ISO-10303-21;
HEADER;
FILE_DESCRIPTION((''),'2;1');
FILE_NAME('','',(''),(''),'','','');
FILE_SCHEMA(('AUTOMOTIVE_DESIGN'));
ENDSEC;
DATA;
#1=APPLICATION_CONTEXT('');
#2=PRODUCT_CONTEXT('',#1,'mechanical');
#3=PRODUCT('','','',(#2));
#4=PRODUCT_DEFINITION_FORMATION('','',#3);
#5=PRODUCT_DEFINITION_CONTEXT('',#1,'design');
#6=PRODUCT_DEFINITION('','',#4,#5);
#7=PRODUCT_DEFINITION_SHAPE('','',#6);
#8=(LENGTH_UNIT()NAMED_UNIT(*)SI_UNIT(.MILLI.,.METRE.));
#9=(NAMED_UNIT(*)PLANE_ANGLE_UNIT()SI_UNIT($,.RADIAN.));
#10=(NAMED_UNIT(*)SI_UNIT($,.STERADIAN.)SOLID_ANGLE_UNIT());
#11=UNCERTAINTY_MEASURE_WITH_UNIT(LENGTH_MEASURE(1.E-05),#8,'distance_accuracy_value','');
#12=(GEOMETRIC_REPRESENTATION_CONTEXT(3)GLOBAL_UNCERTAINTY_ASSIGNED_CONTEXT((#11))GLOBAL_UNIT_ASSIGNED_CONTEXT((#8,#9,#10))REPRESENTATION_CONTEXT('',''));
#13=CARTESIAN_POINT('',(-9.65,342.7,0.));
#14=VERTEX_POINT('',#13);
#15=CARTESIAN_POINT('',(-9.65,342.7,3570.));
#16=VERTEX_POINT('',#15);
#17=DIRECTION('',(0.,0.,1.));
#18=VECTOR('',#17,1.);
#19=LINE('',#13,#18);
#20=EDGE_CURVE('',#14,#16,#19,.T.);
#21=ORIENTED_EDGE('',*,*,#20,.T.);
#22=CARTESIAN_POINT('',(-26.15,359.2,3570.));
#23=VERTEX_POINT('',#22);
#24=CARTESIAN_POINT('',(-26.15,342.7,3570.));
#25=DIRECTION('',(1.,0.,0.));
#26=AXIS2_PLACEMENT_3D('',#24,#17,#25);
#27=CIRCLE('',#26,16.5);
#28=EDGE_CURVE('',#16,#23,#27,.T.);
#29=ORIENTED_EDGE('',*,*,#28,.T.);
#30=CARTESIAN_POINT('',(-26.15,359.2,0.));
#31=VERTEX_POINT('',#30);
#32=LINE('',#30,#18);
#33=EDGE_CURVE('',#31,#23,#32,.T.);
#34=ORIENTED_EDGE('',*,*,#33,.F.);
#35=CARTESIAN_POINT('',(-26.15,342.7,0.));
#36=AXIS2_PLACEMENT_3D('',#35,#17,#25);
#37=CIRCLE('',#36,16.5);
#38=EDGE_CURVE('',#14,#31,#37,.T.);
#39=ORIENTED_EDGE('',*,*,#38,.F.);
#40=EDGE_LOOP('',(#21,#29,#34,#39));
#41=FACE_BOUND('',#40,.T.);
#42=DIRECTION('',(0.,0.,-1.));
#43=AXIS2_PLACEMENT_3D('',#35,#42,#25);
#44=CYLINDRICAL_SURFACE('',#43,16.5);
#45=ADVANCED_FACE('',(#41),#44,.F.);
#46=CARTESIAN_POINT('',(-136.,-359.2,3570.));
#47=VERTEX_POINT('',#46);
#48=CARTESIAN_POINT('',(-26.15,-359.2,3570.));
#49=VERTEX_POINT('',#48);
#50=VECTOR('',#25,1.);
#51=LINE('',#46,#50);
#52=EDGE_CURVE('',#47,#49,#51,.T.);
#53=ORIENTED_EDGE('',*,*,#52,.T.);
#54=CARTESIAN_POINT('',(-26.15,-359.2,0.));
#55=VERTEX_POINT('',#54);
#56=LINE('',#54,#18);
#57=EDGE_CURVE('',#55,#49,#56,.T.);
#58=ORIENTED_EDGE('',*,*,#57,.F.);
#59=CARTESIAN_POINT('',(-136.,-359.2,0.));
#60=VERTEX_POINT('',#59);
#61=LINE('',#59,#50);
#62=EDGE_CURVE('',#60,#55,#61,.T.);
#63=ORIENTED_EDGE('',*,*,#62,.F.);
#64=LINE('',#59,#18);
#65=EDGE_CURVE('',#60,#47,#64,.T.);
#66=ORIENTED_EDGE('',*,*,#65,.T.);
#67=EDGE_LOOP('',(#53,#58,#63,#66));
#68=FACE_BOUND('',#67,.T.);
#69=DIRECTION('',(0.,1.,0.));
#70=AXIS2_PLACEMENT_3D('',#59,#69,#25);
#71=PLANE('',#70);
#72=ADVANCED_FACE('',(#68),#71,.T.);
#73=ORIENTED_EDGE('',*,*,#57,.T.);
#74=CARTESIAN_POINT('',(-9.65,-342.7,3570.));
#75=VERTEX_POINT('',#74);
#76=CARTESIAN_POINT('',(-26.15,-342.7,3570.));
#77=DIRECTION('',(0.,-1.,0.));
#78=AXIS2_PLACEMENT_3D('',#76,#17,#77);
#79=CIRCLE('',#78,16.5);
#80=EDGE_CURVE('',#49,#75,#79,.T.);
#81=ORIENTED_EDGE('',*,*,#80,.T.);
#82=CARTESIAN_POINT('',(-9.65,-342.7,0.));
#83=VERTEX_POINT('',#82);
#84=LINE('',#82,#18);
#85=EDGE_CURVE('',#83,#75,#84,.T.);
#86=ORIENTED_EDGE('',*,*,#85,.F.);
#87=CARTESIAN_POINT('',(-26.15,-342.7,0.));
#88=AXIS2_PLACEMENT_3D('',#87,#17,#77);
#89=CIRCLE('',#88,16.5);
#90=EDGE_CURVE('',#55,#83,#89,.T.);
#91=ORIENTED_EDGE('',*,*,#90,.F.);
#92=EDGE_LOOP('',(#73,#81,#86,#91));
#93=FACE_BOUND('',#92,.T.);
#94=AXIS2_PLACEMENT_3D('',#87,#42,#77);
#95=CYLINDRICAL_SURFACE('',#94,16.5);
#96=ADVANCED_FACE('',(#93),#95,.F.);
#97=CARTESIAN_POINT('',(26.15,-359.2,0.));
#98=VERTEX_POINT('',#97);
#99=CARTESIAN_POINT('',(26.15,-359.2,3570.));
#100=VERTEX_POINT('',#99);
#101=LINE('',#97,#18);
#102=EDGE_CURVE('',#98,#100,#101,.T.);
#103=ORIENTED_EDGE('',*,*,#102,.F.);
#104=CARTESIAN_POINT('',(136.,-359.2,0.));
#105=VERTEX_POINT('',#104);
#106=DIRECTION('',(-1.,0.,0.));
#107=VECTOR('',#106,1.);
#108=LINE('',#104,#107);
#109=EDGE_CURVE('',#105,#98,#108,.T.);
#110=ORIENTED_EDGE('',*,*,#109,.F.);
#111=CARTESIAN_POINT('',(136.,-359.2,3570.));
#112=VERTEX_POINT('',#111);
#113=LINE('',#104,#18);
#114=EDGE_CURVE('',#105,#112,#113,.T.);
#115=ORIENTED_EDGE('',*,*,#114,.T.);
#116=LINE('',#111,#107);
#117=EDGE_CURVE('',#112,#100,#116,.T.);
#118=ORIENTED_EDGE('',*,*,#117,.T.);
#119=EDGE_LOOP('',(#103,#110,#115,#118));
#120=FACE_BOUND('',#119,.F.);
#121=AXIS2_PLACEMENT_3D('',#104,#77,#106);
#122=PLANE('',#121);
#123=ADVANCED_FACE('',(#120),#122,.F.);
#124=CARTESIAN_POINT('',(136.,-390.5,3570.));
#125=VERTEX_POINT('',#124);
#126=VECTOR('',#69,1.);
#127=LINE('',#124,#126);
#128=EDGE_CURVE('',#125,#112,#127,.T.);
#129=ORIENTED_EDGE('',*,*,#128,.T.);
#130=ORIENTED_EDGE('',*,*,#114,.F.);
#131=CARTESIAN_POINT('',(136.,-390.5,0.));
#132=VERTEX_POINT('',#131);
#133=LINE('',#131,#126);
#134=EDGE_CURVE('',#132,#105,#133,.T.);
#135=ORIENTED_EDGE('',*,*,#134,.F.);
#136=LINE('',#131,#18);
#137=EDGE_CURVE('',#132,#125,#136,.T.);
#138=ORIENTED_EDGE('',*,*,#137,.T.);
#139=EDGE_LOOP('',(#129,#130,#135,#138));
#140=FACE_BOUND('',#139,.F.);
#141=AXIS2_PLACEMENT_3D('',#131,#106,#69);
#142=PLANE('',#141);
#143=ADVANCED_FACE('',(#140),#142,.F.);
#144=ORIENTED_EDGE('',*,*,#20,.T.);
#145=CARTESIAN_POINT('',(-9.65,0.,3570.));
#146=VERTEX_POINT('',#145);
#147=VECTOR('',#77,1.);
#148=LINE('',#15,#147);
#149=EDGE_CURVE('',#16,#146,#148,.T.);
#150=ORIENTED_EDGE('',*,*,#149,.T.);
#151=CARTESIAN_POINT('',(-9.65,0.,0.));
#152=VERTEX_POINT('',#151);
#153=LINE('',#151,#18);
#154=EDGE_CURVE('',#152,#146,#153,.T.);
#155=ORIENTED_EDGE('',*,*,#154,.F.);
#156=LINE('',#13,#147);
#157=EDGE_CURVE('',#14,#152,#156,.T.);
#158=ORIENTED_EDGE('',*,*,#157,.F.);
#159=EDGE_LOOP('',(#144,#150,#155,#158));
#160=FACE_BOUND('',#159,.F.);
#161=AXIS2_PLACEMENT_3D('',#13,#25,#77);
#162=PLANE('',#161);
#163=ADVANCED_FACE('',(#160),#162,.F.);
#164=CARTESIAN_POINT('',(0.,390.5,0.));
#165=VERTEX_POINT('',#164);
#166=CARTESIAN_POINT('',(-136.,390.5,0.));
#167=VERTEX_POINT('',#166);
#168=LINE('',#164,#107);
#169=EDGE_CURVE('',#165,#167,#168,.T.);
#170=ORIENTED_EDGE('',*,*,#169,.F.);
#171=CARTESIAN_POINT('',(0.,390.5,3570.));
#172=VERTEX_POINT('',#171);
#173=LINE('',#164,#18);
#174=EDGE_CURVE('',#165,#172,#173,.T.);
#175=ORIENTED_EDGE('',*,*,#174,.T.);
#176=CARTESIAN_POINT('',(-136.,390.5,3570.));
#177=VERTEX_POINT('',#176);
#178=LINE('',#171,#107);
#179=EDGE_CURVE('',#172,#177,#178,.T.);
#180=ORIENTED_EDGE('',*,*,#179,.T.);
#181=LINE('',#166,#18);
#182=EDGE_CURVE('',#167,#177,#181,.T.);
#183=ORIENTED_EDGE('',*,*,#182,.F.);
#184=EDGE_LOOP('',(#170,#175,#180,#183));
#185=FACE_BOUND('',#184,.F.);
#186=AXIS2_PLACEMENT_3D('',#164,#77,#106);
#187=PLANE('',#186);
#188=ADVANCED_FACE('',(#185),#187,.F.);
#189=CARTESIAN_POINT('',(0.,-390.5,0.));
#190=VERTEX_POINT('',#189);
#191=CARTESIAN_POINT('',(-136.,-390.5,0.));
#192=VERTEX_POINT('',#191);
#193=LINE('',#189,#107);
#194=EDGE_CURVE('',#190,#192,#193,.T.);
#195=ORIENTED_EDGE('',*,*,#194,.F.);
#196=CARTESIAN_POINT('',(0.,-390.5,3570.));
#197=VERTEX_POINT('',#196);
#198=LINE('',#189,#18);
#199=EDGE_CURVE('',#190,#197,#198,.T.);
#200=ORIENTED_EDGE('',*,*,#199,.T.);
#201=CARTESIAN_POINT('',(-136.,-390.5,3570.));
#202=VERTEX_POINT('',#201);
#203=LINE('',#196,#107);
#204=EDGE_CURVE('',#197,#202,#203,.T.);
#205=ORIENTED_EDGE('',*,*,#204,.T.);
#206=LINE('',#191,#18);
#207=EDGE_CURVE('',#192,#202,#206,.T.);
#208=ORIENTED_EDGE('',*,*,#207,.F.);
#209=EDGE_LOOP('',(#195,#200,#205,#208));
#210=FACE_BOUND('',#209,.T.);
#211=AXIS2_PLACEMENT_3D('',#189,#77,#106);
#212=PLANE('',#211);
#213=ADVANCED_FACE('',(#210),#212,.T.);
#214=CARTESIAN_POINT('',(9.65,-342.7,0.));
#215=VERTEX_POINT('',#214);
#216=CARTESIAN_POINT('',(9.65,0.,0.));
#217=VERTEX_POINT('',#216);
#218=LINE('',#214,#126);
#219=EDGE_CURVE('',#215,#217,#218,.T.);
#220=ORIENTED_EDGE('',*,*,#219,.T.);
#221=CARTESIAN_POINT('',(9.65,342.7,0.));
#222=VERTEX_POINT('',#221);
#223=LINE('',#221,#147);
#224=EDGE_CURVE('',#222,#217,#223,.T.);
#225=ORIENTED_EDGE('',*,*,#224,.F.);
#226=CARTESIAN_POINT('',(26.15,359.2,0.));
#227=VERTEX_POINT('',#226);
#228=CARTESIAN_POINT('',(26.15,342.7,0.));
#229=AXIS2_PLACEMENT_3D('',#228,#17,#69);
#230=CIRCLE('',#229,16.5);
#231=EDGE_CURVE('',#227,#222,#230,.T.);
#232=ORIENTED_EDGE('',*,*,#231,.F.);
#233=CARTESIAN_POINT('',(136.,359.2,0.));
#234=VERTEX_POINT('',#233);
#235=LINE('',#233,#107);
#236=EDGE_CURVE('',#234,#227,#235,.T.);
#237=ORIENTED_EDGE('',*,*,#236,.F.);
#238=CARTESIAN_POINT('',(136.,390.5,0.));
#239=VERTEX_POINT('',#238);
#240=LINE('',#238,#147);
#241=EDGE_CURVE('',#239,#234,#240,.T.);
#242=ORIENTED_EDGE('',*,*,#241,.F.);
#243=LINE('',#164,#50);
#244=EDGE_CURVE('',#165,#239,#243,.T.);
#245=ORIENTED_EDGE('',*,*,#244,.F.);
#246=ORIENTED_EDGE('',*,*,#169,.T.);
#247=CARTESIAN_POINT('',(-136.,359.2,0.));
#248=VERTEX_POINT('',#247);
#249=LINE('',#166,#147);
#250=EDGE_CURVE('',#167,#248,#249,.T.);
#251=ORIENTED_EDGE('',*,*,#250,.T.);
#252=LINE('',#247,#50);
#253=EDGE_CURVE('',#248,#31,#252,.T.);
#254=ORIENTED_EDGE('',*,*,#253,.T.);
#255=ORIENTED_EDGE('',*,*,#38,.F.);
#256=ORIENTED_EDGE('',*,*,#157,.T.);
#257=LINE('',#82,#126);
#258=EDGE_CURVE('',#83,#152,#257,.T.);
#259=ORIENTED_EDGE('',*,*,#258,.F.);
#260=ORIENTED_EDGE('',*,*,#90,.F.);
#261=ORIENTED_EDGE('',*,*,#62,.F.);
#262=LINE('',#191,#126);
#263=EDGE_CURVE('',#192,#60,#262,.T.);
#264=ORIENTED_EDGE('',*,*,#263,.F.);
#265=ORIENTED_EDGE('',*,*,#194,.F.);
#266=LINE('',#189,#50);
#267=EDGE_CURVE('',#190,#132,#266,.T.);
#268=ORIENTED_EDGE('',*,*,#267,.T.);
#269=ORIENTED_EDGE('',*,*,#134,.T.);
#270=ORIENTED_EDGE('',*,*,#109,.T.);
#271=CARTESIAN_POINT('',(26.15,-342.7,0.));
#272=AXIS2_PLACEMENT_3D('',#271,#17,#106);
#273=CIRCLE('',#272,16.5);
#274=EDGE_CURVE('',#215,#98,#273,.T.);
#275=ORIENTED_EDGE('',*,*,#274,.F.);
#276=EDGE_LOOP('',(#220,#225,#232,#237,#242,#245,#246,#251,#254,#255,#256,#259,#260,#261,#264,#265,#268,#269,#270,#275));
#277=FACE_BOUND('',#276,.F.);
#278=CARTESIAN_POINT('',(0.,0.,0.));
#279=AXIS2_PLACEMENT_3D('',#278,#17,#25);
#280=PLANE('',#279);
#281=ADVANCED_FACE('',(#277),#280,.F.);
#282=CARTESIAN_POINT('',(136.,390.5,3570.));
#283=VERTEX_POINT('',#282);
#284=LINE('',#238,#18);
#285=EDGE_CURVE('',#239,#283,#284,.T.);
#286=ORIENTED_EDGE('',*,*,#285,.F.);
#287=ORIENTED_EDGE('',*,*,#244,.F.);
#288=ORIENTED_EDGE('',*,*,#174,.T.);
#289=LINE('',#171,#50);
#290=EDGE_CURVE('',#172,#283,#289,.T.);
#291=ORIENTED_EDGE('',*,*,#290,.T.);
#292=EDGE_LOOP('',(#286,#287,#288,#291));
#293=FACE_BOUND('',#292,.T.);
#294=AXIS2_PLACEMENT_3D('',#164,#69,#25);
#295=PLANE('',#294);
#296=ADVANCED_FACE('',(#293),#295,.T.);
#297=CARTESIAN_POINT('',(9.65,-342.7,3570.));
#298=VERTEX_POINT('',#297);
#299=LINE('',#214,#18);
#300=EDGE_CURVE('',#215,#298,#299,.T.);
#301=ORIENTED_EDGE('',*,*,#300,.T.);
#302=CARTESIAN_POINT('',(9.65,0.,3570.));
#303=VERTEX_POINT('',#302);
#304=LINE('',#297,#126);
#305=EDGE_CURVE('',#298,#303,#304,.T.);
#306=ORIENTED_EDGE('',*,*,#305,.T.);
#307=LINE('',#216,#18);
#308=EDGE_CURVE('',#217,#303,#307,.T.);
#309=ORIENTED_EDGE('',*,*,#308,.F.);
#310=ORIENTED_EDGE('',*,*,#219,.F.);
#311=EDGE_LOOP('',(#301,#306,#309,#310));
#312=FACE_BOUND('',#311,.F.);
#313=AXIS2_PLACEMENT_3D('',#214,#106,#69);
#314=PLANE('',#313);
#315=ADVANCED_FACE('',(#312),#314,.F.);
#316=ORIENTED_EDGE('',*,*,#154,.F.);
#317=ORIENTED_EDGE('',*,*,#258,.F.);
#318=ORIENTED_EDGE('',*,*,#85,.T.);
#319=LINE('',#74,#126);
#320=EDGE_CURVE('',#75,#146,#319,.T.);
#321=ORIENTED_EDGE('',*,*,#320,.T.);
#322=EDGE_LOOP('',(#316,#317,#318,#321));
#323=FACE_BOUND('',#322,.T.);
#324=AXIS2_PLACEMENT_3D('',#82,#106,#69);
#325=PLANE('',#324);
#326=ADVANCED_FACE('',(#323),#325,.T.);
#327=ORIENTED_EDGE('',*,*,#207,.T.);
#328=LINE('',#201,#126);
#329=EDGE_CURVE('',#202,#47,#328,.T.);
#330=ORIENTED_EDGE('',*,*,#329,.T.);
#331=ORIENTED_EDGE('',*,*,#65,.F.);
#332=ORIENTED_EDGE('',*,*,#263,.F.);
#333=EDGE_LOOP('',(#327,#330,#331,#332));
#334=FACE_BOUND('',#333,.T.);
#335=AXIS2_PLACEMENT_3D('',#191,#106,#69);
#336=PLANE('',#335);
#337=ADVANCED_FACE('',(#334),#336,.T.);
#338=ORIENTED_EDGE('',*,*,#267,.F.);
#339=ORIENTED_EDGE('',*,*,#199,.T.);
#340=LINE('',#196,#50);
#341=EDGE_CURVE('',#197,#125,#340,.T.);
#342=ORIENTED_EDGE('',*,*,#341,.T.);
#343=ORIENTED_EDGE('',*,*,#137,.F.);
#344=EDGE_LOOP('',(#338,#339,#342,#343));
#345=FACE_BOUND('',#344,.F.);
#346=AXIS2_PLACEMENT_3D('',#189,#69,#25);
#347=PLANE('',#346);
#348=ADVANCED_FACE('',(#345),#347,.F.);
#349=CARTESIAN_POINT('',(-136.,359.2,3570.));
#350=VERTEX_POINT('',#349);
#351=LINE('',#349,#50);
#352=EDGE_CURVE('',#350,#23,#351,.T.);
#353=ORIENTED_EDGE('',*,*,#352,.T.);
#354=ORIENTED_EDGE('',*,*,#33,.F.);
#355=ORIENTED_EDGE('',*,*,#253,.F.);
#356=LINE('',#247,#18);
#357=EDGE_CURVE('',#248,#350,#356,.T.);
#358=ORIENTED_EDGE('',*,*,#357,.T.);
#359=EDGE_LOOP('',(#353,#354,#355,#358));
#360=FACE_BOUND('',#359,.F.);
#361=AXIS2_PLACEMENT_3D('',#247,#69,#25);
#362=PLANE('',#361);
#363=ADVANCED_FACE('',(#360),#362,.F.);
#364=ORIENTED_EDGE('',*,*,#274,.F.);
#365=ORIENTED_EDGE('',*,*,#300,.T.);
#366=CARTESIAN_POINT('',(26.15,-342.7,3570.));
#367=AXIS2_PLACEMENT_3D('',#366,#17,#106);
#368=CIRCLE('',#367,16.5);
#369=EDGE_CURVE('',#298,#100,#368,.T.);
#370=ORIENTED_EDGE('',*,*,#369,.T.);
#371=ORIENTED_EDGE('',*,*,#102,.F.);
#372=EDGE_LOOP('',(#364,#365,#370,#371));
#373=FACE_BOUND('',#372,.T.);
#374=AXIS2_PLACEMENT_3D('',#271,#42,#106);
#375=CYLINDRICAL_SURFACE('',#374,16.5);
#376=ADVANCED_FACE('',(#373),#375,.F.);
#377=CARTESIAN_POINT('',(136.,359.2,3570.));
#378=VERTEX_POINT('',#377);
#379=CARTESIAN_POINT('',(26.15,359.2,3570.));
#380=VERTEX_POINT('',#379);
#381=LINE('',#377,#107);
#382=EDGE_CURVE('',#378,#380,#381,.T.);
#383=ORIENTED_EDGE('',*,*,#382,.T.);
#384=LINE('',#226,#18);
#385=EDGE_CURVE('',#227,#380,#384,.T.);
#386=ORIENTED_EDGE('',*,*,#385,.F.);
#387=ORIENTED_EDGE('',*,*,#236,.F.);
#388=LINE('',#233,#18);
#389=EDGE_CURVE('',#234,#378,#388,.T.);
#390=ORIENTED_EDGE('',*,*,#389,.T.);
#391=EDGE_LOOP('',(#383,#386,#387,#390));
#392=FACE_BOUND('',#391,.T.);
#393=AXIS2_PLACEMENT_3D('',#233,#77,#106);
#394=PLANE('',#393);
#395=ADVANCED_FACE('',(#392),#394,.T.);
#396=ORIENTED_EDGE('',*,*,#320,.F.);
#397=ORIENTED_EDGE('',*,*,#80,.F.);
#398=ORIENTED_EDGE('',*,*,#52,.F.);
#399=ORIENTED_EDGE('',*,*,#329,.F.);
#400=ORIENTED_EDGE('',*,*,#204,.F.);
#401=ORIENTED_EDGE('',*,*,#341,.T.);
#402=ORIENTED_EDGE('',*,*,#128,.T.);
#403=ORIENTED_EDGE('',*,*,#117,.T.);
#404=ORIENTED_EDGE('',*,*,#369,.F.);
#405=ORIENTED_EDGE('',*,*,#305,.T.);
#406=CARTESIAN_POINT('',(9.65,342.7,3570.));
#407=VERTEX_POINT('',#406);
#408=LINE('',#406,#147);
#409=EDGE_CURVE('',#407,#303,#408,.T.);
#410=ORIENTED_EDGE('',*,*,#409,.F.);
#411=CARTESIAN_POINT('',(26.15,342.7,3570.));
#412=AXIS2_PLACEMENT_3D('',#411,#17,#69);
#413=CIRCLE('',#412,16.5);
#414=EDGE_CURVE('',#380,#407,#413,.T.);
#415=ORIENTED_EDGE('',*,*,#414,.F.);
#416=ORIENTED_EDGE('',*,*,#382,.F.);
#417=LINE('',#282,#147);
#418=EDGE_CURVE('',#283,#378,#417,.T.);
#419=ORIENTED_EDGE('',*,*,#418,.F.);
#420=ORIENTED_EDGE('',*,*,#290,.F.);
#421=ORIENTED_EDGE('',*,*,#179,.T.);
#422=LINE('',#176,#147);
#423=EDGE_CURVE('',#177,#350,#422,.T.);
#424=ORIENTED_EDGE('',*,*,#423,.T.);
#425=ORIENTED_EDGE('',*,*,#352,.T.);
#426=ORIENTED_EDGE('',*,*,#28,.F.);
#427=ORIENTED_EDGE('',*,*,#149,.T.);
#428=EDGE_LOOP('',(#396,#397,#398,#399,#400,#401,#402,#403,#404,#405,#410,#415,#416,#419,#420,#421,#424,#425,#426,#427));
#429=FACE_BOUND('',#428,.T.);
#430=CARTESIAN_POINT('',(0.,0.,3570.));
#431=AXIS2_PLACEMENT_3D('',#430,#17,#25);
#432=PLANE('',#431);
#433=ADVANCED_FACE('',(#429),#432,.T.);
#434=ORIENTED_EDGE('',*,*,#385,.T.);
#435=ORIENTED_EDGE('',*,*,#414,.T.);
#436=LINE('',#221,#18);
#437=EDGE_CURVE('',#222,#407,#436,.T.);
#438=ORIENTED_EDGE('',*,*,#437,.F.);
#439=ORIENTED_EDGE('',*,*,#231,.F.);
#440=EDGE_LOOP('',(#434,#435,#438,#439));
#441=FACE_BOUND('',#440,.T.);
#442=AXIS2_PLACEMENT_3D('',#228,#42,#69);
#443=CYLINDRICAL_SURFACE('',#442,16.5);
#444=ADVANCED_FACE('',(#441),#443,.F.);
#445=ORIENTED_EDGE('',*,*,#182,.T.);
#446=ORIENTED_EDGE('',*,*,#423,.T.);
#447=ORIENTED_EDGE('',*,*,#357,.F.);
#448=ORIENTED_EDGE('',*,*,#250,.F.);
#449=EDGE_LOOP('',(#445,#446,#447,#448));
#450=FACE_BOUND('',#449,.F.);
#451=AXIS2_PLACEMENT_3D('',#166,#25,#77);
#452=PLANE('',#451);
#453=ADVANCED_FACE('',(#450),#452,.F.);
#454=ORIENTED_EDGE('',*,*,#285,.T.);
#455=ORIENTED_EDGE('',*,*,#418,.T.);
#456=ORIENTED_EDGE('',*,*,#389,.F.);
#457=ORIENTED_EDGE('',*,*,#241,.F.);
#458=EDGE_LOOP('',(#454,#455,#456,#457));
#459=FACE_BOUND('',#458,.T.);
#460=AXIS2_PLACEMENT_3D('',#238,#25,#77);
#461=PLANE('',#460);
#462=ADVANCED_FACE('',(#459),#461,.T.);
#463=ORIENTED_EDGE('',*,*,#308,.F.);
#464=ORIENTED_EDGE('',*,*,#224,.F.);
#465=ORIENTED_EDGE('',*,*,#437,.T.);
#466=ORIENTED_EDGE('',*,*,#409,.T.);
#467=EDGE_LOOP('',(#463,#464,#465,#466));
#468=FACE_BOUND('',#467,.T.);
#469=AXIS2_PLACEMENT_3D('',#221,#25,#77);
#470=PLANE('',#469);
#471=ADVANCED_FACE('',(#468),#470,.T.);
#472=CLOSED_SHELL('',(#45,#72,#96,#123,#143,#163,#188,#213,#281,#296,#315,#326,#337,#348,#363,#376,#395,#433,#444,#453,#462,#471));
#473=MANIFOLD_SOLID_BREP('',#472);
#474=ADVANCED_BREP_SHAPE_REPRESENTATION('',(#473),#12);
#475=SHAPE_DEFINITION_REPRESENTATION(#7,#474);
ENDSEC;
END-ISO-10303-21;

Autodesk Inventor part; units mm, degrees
ref_plane "YZ Plane" through (0, 0, 0) normal (1, 0, 0) x (0, 1, 0)
ref_plane "Start plane" through (0, 0, 0) normal (0, 0, 1) x (1, 0, 0)
ref_plane "End plane" through (0, 0, 3570) normal (0, 0, 1) x (1, 0, 0)
sketch "Sketch" plane through (0, 0, 0) normal (0, 0, 1) x (1, 0, 0)
  line L0 (-136, -390.5) -> (-136, -359.2)
  line L1 (-136, -359.2) -> (-26.15, -359.2)
  line L2 (-9.65, -342.7) -> (-9.65, 0)
  line L3 (-9.65, 0) -> (0, 0) construction
  line L4 (0, 0) -> (0, -390.5) construction
  line L5 (0, -390.5) -> (-136, -390.5)
  line L6 (-60, 0) -> (80, 0) construction
  line L7 (0, -60) -> (0, 80) construction
  line L8 (136, -390.5) -> (136, -359.2)
  line L9 (136, -359.2) -> (26.15, -359.2)
  line L10 (9.65, -342.7) -> (9.65, 0)
  line L11 (9.65, 0) -> (0, 0) construction
  line L12 (0, -390.5) -> (136, -390.5)
  line L13 (-136, 390.5) -> (-136, 359.2)
  line L14 (-136, 359.2) -> (-26.15, 359.2)
  line L15 (-9.65, 342.7) -> (-9.65, 0)
  line L16 (0, 390.5) -> (-136, 390.5)
  line L17 (136, 390.5) -> (136, 359.2)
  line L18 (136, 359.2) -> (26.15, 359.2)
  line L19 (0, 390.5) -> (136, 390.5)
  line L20 (9.65, 342.7) -> (9.65, 0)
  arc A0 (-9.65, 342.7) -> (-26.15, 359.2) centre (-26.15, 342.7) ccw
  arc A1 (26.15, 359.2) -> (9.65, 342.7) centre (26.15, 342.7) ccw
  arc A2 (9.65, -342.7) -> (26.15, -359.2) centre (26.15, -342.7) ccw
  arc A3 (-26.15, -359.2) -> (-9.65, -342.7) centre (-26.15, -342.7) ccw
  line L21 (0, 108) -> (0, -88) construction
  line L22 (-88, 0) -> (108, 0) construction
  point P0 (-9.65, -359.2)
  point P1 (9.65, -359.2)
  point P2 (-9.65, 359.2)
  point P3 (9.65, 359.2)
  dimension "d1" = 390.5
  dimension "d2" = 31.3
  dimension "d3" = 136
  dimension "d4" = 9.65
  dimension "d10" = 16.5
extrude "Body" add sketch "Sketch" along normal up to surface (3570 mm away) from surface at 0
sketch "Sketch4" plane through (0, 0, 0) normal (0, 0, 1) x (1, 0, 0)
  line L0 (0, 0) -> (10, 0)
ref_plane "Work Plane3" through (0, 0, 0) normal (0, -1, 0) x (1, 0, 0)
sketch "Sketch5" plane through (0, 0, 0) normal (0, -1, 0) x (1, 0, 0)
  line L0 (-2, 0) -> (12, 0) projected
  line L1 (-2, 3570) -> (12, 3570) projected
  dimension "d14" = 3570
equation "\"d1\" = 0.5 * G_H"
equation "\"d2\" = G_T1"
equation "\"d3\" = 0.5 * G_W"
equation "\"d4\" = 0.5 * G_T"
equation "\"d10\" = G_IR"
equation "\"d5\" = G_L"
equation "\"G_W\" = 272"
equation "\"G_H\" = 781"
equation "\"G_T\" = 19.3"
equation "\"G_T1\" = 31.3"
equation "\"G_IR\" = 16.5"
equation "\"G_L\" = d14"
equation "\"G_OFFSET_START\" = 0"
equation "\"G_OFFSET_END\" = 0"
properties part number "AS 3679-1990 - 760 UB - 244 - 3570" material "Steel, Mild"
